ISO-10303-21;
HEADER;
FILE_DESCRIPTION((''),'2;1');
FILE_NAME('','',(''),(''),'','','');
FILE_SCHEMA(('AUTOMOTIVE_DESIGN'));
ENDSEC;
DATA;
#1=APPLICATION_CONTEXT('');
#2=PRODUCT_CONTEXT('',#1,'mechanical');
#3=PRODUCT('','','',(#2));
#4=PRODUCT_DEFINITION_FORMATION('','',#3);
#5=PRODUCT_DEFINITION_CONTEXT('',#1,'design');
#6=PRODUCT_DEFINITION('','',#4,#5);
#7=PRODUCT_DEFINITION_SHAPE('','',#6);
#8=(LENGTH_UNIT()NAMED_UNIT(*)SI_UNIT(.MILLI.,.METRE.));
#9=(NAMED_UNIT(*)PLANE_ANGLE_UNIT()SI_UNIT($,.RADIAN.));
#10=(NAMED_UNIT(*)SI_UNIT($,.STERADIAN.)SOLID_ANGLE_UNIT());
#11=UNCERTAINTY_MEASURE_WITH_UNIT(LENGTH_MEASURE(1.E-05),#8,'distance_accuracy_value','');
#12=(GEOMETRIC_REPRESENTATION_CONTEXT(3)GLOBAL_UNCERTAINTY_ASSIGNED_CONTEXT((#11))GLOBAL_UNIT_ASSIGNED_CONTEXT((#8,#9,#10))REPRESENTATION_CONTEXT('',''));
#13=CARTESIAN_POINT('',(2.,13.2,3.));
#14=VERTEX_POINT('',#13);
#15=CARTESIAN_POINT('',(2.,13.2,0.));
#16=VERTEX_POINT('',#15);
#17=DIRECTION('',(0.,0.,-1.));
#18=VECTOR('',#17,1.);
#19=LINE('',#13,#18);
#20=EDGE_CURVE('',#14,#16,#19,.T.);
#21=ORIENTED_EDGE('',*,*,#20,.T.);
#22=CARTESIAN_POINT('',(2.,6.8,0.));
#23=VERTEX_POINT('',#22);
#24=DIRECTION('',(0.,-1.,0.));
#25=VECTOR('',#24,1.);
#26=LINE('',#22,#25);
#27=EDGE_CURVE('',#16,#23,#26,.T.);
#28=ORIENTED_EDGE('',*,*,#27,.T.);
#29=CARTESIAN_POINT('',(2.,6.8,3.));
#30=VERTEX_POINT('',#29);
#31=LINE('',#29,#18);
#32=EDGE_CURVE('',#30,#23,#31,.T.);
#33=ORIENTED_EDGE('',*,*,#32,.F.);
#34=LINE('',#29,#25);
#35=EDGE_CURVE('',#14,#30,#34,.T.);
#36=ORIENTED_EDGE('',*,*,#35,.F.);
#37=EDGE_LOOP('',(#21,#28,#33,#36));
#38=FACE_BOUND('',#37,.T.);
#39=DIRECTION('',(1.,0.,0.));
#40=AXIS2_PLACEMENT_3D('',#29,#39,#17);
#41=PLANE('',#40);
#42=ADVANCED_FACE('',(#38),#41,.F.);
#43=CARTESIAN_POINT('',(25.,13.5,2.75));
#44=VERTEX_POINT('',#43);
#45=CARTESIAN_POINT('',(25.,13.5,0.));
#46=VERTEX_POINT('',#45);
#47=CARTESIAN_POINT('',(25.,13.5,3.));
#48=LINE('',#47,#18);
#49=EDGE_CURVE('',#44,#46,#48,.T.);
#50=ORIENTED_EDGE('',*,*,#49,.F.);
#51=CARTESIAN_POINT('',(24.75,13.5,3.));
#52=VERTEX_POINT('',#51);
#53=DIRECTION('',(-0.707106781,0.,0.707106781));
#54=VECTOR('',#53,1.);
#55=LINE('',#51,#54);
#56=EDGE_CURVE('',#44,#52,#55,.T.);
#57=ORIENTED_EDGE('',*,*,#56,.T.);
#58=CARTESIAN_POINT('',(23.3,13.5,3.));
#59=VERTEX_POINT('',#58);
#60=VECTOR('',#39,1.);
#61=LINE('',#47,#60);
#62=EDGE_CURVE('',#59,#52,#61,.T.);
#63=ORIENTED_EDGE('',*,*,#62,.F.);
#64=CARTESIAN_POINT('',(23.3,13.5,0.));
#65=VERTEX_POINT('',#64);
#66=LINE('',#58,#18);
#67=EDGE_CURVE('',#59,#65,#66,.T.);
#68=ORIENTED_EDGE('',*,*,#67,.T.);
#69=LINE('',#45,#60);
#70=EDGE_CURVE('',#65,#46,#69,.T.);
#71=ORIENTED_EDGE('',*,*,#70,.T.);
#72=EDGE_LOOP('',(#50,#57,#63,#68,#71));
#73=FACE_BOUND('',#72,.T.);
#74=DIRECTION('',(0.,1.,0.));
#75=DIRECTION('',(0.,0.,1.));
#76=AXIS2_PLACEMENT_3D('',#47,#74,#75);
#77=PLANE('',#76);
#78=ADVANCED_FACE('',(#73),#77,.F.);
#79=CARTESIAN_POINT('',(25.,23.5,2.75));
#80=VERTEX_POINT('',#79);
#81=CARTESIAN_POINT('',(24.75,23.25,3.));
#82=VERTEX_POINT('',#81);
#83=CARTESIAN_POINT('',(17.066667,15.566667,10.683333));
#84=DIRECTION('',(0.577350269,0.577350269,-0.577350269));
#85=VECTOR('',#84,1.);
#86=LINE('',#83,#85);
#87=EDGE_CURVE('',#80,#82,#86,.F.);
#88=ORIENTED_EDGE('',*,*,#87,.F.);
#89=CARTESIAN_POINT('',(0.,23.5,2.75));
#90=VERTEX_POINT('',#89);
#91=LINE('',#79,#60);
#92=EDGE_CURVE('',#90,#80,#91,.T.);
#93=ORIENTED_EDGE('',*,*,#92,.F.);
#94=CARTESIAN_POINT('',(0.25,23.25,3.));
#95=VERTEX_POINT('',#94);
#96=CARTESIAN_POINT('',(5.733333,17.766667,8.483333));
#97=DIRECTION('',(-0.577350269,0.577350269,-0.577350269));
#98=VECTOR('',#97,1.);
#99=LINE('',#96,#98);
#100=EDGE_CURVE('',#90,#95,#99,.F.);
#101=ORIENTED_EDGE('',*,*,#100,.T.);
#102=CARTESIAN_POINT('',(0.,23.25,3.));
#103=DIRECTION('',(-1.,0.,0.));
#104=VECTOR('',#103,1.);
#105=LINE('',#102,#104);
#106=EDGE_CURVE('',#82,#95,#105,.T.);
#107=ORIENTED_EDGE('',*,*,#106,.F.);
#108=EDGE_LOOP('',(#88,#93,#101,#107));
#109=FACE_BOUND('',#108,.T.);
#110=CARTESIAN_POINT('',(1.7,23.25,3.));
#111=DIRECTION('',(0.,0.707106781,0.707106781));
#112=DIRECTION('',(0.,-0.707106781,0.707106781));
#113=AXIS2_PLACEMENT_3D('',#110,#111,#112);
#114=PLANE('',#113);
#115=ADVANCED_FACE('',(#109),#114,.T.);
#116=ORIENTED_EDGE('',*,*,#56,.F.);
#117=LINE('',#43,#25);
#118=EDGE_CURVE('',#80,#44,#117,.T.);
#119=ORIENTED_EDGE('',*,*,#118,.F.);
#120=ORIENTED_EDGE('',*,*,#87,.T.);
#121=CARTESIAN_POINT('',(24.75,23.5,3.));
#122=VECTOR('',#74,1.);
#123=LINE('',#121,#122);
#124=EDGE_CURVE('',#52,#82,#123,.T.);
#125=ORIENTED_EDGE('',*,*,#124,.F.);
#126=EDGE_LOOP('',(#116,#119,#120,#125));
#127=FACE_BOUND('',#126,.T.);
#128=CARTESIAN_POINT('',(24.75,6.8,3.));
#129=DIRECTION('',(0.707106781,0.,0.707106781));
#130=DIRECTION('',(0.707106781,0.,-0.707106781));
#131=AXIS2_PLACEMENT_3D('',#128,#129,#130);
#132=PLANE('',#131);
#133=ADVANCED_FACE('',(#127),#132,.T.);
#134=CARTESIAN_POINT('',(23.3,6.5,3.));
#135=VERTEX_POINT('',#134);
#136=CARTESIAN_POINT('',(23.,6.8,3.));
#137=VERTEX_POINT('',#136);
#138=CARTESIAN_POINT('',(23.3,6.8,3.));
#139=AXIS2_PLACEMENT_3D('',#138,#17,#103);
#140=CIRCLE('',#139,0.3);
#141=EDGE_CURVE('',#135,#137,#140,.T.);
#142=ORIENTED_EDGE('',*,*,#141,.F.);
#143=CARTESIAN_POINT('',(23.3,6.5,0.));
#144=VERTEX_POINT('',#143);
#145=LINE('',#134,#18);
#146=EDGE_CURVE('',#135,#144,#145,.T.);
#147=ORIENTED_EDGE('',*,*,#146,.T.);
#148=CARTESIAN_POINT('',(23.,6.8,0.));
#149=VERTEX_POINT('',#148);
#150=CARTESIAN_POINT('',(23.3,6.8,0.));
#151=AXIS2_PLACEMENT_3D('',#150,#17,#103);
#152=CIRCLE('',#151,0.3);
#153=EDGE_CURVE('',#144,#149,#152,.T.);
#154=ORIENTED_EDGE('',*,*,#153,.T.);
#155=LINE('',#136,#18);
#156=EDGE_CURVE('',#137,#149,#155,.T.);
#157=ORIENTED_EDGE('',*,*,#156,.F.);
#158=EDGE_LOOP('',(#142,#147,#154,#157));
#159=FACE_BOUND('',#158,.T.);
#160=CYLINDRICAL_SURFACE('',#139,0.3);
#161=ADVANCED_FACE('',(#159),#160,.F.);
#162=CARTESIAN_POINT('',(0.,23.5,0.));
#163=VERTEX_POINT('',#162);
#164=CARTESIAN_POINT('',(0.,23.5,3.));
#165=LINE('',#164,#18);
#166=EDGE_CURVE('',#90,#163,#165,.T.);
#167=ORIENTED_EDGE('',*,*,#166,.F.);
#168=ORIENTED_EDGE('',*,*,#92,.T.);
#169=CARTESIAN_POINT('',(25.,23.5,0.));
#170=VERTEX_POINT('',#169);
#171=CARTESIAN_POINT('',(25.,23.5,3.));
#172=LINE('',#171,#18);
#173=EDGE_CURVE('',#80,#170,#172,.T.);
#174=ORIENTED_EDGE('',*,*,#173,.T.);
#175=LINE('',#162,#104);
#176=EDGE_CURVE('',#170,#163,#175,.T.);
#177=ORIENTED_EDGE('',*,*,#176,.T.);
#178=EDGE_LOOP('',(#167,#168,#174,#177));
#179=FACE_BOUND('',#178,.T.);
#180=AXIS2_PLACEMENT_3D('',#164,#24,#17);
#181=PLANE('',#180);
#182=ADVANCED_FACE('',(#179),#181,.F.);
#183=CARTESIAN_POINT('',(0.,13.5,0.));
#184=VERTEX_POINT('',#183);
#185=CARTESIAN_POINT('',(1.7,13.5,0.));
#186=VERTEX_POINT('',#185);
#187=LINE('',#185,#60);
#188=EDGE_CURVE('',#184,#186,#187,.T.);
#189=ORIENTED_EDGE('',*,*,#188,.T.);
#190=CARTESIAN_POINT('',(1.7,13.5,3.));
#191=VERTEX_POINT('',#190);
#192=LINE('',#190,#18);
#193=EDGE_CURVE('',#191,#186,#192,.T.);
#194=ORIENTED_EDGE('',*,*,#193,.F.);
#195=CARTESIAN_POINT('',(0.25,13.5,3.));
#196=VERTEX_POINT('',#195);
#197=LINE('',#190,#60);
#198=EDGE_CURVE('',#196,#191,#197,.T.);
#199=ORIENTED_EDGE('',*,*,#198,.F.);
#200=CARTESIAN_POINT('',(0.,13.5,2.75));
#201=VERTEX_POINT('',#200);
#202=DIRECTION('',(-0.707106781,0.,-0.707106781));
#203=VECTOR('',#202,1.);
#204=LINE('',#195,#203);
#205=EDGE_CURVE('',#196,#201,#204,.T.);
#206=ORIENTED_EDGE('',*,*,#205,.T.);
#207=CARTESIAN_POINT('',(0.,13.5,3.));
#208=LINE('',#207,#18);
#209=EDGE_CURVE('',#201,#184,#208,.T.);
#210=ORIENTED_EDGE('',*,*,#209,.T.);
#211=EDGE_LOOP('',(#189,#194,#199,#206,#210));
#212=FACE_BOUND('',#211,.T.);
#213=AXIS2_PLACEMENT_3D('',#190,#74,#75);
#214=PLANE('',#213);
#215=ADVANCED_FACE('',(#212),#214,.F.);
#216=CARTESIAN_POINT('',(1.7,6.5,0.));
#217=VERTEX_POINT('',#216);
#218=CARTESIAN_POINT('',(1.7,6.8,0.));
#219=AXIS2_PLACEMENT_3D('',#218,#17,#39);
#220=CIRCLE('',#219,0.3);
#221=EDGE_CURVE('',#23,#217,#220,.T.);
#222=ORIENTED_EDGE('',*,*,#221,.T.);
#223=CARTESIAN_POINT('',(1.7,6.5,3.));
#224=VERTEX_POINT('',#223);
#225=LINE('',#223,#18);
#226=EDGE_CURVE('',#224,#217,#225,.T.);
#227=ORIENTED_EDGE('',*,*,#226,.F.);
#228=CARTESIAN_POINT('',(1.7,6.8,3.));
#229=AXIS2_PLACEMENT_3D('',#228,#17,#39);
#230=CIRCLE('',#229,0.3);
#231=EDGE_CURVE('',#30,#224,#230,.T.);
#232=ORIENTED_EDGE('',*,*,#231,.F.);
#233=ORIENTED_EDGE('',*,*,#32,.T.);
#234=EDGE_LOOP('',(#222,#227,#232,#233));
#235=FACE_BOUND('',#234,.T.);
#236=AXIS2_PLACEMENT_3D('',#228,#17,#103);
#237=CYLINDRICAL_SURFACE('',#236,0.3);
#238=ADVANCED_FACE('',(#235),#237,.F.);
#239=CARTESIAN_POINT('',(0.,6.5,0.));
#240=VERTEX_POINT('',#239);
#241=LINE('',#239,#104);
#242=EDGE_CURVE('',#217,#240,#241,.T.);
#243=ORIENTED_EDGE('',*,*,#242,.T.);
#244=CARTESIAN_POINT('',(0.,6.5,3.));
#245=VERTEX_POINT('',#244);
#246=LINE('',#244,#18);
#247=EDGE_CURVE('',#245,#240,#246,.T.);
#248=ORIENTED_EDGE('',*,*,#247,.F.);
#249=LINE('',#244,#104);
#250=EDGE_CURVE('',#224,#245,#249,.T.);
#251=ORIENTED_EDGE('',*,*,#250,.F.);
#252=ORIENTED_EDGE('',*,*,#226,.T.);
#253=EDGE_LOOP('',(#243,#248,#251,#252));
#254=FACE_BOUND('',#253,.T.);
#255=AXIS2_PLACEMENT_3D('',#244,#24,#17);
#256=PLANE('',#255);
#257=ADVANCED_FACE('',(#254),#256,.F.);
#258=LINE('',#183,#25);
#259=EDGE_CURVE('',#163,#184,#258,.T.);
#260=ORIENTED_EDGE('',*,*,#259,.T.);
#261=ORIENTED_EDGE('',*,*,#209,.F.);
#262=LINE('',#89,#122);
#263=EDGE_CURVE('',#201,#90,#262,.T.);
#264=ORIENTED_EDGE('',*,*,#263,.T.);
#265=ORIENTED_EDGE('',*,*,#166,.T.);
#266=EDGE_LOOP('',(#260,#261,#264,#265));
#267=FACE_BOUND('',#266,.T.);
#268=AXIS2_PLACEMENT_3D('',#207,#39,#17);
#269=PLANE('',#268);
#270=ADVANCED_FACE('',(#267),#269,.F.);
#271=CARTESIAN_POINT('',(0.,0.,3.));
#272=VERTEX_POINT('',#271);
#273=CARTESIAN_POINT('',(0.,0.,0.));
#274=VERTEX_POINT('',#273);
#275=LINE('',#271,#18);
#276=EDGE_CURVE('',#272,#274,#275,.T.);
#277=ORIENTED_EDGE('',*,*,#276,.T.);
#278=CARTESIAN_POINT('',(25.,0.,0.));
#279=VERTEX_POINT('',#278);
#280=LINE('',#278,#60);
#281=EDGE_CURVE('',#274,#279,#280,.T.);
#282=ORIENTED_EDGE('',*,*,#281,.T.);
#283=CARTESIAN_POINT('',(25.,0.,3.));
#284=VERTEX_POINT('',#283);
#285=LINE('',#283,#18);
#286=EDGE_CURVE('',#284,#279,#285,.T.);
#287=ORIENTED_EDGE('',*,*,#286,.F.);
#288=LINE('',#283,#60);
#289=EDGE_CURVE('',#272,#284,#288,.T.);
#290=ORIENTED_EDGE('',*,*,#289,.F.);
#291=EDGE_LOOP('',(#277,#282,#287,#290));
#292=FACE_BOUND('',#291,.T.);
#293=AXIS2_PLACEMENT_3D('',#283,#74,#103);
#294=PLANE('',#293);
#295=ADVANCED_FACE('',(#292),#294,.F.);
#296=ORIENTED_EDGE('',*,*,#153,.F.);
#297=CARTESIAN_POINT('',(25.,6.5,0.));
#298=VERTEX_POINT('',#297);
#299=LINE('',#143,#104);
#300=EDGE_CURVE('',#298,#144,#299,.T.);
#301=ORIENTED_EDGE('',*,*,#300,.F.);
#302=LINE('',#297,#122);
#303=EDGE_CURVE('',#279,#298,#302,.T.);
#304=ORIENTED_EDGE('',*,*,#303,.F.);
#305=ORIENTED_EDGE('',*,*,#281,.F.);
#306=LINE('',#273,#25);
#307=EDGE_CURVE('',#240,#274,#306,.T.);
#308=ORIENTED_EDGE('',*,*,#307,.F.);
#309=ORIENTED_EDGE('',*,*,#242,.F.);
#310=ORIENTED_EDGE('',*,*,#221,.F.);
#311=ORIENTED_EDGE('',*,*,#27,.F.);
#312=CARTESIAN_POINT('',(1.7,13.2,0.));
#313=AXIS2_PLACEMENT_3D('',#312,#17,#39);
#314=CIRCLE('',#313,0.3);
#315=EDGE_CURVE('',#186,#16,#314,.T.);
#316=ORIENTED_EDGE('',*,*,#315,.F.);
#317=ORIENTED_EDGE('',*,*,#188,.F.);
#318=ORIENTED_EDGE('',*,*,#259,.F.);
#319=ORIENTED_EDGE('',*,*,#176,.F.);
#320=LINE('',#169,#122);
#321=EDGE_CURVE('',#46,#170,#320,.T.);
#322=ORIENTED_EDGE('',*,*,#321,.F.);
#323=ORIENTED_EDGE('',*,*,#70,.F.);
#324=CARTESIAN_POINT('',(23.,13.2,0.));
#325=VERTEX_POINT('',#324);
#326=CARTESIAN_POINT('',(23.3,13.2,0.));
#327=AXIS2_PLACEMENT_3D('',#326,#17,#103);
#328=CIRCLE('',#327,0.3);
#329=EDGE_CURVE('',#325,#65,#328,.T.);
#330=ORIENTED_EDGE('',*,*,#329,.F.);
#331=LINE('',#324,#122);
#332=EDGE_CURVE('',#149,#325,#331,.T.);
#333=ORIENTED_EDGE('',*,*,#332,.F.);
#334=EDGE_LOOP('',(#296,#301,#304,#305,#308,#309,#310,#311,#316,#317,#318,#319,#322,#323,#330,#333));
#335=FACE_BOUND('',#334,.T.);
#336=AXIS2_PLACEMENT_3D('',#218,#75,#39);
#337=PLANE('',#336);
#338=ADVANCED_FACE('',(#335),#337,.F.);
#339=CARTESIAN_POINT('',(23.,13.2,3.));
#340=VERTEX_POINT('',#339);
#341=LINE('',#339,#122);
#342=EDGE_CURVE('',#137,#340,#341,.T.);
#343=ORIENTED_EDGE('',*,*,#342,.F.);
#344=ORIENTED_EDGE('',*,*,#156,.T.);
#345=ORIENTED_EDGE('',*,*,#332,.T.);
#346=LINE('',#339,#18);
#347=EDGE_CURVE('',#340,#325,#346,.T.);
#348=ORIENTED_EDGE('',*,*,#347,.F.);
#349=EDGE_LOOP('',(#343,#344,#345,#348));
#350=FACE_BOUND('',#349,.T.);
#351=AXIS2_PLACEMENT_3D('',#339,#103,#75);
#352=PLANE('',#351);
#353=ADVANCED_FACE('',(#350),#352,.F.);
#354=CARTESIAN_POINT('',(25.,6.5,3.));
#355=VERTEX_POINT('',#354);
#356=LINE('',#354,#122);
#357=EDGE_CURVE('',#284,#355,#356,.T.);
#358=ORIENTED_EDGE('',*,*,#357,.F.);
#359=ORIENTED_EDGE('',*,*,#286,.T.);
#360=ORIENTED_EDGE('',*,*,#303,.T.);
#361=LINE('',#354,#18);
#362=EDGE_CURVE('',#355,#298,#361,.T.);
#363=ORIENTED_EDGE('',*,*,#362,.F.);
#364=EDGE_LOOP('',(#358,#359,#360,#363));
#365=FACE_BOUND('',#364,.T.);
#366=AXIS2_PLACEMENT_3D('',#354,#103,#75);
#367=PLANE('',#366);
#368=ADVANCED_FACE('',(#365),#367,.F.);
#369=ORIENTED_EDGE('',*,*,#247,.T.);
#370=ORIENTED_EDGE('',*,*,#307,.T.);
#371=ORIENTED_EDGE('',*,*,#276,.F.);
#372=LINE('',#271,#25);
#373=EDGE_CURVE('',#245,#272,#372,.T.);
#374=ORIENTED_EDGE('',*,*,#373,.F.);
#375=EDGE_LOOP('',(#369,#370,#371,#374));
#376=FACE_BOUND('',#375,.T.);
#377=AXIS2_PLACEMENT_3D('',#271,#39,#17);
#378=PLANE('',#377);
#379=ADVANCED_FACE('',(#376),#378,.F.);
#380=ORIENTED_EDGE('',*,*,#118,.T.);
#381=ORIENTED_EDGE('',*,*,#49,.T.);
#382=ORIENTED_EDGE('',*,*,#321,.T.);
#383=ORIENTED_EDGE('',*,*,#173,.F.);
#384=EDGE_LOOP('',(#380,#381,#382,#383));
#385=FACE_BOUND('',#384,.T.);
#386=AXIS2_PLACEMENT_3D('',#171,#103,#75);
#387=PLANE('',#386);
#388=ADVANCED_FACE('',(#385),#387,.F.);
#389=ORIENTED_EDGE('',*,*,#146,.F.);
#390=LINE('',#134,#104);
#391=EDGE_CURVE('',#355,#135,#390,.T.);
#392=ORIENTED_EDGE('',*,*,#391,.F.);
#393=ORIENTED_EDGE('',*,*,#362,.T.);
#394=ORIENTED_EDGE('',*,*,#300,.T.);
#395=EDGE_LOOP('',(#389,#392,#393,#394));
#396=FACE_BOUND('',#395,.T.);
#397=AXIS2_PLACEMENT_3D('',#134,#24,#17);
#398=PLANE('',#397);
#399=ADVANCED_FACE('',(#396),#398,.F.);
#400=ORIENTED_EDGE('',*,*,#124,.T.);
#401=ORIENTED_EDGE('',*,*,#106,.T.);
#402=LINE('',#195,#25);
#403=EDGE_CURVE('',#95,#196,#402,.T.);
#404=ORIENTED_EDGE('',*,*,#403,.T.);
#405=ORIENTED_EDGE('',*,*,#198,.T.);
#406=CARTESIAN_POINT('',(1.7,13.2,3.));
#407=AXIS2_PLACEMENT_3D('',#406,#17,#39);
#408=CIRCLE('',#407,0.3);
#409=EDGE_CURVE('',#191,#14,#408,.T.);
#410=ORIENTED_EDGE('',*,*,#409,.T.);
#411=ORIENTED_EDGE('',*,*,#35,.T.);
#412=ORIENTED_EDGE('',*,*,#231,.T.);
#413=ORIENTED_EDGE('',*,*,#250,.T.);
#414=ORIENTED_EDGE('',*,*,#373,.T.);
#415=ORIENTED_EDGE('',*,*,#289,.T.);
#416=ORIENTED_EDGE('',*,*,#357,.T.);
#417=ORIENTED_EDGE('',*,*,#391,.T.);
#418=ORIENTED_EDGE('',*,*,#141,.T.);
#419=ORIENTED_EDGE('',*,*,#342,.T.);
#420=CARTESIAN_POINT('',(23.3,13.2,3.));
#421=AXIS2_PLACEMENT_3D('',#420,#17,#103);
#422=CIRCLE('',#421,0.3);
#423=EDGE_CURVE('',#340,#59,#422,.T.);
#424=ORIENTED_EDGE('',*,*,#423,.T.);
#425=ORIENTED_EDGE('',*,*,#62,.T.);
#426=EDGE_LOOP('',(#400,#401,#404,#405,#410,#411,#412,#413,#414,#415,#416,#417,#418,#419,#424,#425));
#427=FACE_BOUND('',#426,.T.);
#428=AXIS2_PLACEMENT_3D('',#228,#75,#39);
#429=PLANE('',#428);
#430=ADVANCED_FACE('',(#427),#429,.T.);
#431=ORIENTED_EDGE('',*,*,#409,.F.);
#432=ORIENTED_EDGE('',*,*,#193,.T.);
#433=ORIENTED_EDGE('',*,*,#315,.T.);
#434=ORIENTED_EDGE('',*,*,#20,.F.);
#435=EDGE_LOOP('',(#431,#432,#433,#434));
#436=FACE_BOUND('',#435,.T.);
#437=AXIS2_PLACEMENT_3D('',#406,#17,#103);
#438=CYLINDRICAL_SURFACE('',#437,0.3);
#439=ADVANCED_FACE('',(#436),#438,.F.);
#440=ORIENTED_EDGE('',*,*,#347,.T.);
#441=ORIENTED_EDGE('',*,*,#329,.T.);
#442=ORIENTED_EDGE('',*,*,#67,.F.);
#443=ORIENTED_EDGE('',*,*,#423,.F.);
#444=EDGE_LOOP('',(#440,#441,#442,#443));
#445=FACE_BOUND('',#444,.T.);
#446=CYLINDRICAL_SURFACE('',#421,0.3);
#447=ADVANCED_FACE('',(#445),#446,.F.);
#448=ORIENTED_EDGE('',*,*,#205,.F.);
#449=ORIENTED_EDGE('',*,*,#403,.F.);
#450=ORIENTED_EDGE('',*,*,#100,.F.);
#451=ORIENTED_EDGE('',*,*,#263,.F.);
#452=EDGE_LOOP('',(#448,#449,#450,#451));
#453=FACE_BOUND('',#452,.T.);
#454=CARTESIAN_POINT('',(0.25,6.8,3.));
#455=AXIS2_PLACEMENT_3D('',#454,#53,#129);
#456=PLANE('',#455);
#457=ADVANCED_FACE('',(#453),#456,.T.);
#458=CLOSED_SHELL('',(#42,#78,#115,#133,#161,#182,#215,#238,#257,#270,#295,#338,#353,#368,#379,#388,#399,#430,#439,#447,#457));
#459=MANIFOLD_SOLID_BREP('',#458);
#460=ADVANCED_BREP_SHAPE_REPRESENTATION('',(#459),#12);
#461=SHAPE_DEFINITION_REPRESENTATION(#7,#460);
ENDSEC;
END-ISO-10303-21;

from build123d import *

# Parameters (mm, degrees)
EXTRUDE_1_DEPTH = 3
CHAMFER_1_SIZE  = 0.25


with BuildPart() as part:
    # Эскиз1 → Бобышка-Вытянуть1 (new body)
    with BuildSketch(Plane.XY):
        with BuildLine():
            Line((0, 0), (0, 6.5))
            Line((0, 6.5), (1.7, 6.5))
            ThreePointArc((1.7, 6.5), (1.912132034, 6.587867966), (2, 6.8))
            Line((2, 6.8), (2, 13.2))
            ThreePointArc((2, 13.2), (1.912132034, 13.412132034), (1.7, 13.5))
            Line((1.7, 13.5), (0, 13.5))
            Line((0, 13.5), (0, 23.5))
            Line((0, 23.5), (25, 23.5))
            Line((25, 23.5), (25, 13.5))
            Line((25, 13.5), (23.3, 13.5))
            ThreePointArc((23.3, 13.5), (23.087867966, 13.412132034), (23, 13.2))
            Line((23, 13.2), (23, 6.8))
            ThreePointArc((23, 6.8), (23.087867966, 6.587867966), (23.3, 6.5))
            Line((23.3, 6.5), (25, 6.5))
            Line((25, 6.5), (25, 0))
            Line((25, 0), (0, 0))
        make_face()
    extrude(amount=EXTRUDE_1_DEPTH)

    # Фаска1
    chamfer_1_edges = [part.edges().sort_by_distance(p)[0] for p in [
        (25, 18.5, 3),
        (12.5, 23.5, 3),
        (0, 18.5, 3),
    ]]
    chamfer(chamfer_1_edges, length=CHAMFER_1_SIZE)


solid = part.part
